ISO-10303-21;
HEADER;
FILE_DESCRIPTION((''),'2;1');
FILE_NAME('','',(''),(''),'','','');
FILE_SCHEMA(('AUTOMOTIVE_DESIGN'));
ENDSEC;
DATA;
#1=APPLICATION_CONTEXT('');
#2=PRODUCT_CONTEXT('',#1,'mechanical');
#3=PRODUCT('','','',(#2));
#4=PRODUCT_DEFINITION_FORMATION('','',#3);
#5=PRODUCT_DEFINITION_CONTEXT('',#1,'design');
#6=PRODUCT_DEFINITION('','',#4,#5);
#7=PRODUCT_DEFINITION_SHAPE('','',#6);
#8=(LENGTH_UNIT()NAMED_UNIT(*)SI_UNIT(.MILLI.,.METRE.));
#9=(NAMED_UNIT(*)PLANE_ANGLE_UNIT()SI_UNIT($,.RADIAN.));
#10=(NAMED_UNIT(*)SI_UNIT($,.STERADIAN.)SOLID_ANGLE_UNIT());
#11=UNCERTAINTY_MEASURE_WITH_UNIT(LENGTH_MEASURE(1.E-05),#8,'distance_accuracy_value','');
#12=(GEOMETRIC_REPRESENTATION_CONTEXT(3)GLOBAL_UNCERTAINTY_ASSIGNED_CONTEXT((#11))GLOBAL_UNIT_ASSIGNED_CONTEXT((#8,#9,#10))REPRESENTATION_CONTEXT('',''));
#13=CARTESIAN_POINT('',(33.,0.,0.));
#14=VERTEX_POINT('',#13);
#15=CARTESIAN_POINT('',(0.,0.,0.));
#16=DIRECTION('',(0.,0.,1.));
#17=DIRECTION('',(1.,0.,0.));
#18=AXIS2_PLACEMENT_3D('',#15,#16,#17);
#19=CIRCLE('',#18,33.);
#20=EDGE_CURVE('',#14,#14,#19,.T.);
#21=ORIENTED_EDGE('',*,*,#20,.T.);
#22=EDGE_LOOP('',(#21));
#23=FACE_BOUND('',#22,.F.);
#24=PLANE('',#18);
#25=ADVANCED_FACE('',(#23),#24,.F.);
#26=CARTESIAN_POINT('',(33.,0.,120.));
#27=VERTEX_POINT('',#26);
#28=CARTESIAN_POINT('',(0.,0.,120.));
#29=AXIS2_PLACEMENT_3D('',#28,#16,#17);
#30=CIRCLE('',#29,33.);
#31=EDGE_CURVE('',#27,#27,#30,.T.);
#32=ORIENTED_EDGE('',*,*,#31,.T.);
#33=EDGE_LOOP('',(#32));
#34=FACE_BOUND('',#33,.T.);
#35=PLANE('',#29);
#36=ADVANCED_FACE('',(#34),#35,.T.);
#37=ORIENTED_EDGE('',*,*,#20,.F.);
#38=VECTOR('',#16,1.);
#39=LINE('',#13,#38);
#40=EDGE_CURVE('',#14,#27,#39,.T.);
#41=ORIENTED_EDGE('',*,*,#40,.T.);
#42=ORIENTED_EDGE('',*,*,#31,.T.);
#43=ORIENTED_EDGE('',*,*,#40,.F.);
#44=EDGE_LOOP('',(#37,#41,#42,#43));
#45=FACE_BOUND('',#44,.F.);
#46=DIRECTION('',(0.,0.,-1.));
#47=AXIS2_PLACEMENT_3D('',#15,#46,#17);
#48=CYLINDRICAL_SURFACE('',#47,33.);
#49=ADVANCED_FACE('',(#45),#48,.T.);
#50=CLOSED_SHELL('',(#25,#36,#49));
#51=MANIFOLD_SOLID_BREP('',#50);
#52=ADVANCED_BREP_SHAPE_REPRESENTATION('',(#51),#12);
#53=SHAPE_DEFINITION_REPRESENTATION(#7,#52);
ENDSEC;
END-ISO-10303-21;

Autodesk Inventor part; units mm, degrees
ref_plane "YZ Plane" through (0, 0, 0) normal (1, 0, 0) x (0, 1, 0)
ref_plane "XZ Plane" through (0, 0, 0) normal (0, 1, 0) x (-1, 0, 0)
ref_plane "XY Plane" through (0, 0, 0) normal (0, 0, 1) x (1, 0, 0)
sketch "スケッチ1" plane through (0, 0, 0) normal (0, 0, 1) x (1, 0, 0)
  circle A0 centre (0, 0) radius 33
  dimension "d0" = 66
extrude "押し出し1" add sketch "スケッチ1" along normal blind 120
properties part number "kan"
